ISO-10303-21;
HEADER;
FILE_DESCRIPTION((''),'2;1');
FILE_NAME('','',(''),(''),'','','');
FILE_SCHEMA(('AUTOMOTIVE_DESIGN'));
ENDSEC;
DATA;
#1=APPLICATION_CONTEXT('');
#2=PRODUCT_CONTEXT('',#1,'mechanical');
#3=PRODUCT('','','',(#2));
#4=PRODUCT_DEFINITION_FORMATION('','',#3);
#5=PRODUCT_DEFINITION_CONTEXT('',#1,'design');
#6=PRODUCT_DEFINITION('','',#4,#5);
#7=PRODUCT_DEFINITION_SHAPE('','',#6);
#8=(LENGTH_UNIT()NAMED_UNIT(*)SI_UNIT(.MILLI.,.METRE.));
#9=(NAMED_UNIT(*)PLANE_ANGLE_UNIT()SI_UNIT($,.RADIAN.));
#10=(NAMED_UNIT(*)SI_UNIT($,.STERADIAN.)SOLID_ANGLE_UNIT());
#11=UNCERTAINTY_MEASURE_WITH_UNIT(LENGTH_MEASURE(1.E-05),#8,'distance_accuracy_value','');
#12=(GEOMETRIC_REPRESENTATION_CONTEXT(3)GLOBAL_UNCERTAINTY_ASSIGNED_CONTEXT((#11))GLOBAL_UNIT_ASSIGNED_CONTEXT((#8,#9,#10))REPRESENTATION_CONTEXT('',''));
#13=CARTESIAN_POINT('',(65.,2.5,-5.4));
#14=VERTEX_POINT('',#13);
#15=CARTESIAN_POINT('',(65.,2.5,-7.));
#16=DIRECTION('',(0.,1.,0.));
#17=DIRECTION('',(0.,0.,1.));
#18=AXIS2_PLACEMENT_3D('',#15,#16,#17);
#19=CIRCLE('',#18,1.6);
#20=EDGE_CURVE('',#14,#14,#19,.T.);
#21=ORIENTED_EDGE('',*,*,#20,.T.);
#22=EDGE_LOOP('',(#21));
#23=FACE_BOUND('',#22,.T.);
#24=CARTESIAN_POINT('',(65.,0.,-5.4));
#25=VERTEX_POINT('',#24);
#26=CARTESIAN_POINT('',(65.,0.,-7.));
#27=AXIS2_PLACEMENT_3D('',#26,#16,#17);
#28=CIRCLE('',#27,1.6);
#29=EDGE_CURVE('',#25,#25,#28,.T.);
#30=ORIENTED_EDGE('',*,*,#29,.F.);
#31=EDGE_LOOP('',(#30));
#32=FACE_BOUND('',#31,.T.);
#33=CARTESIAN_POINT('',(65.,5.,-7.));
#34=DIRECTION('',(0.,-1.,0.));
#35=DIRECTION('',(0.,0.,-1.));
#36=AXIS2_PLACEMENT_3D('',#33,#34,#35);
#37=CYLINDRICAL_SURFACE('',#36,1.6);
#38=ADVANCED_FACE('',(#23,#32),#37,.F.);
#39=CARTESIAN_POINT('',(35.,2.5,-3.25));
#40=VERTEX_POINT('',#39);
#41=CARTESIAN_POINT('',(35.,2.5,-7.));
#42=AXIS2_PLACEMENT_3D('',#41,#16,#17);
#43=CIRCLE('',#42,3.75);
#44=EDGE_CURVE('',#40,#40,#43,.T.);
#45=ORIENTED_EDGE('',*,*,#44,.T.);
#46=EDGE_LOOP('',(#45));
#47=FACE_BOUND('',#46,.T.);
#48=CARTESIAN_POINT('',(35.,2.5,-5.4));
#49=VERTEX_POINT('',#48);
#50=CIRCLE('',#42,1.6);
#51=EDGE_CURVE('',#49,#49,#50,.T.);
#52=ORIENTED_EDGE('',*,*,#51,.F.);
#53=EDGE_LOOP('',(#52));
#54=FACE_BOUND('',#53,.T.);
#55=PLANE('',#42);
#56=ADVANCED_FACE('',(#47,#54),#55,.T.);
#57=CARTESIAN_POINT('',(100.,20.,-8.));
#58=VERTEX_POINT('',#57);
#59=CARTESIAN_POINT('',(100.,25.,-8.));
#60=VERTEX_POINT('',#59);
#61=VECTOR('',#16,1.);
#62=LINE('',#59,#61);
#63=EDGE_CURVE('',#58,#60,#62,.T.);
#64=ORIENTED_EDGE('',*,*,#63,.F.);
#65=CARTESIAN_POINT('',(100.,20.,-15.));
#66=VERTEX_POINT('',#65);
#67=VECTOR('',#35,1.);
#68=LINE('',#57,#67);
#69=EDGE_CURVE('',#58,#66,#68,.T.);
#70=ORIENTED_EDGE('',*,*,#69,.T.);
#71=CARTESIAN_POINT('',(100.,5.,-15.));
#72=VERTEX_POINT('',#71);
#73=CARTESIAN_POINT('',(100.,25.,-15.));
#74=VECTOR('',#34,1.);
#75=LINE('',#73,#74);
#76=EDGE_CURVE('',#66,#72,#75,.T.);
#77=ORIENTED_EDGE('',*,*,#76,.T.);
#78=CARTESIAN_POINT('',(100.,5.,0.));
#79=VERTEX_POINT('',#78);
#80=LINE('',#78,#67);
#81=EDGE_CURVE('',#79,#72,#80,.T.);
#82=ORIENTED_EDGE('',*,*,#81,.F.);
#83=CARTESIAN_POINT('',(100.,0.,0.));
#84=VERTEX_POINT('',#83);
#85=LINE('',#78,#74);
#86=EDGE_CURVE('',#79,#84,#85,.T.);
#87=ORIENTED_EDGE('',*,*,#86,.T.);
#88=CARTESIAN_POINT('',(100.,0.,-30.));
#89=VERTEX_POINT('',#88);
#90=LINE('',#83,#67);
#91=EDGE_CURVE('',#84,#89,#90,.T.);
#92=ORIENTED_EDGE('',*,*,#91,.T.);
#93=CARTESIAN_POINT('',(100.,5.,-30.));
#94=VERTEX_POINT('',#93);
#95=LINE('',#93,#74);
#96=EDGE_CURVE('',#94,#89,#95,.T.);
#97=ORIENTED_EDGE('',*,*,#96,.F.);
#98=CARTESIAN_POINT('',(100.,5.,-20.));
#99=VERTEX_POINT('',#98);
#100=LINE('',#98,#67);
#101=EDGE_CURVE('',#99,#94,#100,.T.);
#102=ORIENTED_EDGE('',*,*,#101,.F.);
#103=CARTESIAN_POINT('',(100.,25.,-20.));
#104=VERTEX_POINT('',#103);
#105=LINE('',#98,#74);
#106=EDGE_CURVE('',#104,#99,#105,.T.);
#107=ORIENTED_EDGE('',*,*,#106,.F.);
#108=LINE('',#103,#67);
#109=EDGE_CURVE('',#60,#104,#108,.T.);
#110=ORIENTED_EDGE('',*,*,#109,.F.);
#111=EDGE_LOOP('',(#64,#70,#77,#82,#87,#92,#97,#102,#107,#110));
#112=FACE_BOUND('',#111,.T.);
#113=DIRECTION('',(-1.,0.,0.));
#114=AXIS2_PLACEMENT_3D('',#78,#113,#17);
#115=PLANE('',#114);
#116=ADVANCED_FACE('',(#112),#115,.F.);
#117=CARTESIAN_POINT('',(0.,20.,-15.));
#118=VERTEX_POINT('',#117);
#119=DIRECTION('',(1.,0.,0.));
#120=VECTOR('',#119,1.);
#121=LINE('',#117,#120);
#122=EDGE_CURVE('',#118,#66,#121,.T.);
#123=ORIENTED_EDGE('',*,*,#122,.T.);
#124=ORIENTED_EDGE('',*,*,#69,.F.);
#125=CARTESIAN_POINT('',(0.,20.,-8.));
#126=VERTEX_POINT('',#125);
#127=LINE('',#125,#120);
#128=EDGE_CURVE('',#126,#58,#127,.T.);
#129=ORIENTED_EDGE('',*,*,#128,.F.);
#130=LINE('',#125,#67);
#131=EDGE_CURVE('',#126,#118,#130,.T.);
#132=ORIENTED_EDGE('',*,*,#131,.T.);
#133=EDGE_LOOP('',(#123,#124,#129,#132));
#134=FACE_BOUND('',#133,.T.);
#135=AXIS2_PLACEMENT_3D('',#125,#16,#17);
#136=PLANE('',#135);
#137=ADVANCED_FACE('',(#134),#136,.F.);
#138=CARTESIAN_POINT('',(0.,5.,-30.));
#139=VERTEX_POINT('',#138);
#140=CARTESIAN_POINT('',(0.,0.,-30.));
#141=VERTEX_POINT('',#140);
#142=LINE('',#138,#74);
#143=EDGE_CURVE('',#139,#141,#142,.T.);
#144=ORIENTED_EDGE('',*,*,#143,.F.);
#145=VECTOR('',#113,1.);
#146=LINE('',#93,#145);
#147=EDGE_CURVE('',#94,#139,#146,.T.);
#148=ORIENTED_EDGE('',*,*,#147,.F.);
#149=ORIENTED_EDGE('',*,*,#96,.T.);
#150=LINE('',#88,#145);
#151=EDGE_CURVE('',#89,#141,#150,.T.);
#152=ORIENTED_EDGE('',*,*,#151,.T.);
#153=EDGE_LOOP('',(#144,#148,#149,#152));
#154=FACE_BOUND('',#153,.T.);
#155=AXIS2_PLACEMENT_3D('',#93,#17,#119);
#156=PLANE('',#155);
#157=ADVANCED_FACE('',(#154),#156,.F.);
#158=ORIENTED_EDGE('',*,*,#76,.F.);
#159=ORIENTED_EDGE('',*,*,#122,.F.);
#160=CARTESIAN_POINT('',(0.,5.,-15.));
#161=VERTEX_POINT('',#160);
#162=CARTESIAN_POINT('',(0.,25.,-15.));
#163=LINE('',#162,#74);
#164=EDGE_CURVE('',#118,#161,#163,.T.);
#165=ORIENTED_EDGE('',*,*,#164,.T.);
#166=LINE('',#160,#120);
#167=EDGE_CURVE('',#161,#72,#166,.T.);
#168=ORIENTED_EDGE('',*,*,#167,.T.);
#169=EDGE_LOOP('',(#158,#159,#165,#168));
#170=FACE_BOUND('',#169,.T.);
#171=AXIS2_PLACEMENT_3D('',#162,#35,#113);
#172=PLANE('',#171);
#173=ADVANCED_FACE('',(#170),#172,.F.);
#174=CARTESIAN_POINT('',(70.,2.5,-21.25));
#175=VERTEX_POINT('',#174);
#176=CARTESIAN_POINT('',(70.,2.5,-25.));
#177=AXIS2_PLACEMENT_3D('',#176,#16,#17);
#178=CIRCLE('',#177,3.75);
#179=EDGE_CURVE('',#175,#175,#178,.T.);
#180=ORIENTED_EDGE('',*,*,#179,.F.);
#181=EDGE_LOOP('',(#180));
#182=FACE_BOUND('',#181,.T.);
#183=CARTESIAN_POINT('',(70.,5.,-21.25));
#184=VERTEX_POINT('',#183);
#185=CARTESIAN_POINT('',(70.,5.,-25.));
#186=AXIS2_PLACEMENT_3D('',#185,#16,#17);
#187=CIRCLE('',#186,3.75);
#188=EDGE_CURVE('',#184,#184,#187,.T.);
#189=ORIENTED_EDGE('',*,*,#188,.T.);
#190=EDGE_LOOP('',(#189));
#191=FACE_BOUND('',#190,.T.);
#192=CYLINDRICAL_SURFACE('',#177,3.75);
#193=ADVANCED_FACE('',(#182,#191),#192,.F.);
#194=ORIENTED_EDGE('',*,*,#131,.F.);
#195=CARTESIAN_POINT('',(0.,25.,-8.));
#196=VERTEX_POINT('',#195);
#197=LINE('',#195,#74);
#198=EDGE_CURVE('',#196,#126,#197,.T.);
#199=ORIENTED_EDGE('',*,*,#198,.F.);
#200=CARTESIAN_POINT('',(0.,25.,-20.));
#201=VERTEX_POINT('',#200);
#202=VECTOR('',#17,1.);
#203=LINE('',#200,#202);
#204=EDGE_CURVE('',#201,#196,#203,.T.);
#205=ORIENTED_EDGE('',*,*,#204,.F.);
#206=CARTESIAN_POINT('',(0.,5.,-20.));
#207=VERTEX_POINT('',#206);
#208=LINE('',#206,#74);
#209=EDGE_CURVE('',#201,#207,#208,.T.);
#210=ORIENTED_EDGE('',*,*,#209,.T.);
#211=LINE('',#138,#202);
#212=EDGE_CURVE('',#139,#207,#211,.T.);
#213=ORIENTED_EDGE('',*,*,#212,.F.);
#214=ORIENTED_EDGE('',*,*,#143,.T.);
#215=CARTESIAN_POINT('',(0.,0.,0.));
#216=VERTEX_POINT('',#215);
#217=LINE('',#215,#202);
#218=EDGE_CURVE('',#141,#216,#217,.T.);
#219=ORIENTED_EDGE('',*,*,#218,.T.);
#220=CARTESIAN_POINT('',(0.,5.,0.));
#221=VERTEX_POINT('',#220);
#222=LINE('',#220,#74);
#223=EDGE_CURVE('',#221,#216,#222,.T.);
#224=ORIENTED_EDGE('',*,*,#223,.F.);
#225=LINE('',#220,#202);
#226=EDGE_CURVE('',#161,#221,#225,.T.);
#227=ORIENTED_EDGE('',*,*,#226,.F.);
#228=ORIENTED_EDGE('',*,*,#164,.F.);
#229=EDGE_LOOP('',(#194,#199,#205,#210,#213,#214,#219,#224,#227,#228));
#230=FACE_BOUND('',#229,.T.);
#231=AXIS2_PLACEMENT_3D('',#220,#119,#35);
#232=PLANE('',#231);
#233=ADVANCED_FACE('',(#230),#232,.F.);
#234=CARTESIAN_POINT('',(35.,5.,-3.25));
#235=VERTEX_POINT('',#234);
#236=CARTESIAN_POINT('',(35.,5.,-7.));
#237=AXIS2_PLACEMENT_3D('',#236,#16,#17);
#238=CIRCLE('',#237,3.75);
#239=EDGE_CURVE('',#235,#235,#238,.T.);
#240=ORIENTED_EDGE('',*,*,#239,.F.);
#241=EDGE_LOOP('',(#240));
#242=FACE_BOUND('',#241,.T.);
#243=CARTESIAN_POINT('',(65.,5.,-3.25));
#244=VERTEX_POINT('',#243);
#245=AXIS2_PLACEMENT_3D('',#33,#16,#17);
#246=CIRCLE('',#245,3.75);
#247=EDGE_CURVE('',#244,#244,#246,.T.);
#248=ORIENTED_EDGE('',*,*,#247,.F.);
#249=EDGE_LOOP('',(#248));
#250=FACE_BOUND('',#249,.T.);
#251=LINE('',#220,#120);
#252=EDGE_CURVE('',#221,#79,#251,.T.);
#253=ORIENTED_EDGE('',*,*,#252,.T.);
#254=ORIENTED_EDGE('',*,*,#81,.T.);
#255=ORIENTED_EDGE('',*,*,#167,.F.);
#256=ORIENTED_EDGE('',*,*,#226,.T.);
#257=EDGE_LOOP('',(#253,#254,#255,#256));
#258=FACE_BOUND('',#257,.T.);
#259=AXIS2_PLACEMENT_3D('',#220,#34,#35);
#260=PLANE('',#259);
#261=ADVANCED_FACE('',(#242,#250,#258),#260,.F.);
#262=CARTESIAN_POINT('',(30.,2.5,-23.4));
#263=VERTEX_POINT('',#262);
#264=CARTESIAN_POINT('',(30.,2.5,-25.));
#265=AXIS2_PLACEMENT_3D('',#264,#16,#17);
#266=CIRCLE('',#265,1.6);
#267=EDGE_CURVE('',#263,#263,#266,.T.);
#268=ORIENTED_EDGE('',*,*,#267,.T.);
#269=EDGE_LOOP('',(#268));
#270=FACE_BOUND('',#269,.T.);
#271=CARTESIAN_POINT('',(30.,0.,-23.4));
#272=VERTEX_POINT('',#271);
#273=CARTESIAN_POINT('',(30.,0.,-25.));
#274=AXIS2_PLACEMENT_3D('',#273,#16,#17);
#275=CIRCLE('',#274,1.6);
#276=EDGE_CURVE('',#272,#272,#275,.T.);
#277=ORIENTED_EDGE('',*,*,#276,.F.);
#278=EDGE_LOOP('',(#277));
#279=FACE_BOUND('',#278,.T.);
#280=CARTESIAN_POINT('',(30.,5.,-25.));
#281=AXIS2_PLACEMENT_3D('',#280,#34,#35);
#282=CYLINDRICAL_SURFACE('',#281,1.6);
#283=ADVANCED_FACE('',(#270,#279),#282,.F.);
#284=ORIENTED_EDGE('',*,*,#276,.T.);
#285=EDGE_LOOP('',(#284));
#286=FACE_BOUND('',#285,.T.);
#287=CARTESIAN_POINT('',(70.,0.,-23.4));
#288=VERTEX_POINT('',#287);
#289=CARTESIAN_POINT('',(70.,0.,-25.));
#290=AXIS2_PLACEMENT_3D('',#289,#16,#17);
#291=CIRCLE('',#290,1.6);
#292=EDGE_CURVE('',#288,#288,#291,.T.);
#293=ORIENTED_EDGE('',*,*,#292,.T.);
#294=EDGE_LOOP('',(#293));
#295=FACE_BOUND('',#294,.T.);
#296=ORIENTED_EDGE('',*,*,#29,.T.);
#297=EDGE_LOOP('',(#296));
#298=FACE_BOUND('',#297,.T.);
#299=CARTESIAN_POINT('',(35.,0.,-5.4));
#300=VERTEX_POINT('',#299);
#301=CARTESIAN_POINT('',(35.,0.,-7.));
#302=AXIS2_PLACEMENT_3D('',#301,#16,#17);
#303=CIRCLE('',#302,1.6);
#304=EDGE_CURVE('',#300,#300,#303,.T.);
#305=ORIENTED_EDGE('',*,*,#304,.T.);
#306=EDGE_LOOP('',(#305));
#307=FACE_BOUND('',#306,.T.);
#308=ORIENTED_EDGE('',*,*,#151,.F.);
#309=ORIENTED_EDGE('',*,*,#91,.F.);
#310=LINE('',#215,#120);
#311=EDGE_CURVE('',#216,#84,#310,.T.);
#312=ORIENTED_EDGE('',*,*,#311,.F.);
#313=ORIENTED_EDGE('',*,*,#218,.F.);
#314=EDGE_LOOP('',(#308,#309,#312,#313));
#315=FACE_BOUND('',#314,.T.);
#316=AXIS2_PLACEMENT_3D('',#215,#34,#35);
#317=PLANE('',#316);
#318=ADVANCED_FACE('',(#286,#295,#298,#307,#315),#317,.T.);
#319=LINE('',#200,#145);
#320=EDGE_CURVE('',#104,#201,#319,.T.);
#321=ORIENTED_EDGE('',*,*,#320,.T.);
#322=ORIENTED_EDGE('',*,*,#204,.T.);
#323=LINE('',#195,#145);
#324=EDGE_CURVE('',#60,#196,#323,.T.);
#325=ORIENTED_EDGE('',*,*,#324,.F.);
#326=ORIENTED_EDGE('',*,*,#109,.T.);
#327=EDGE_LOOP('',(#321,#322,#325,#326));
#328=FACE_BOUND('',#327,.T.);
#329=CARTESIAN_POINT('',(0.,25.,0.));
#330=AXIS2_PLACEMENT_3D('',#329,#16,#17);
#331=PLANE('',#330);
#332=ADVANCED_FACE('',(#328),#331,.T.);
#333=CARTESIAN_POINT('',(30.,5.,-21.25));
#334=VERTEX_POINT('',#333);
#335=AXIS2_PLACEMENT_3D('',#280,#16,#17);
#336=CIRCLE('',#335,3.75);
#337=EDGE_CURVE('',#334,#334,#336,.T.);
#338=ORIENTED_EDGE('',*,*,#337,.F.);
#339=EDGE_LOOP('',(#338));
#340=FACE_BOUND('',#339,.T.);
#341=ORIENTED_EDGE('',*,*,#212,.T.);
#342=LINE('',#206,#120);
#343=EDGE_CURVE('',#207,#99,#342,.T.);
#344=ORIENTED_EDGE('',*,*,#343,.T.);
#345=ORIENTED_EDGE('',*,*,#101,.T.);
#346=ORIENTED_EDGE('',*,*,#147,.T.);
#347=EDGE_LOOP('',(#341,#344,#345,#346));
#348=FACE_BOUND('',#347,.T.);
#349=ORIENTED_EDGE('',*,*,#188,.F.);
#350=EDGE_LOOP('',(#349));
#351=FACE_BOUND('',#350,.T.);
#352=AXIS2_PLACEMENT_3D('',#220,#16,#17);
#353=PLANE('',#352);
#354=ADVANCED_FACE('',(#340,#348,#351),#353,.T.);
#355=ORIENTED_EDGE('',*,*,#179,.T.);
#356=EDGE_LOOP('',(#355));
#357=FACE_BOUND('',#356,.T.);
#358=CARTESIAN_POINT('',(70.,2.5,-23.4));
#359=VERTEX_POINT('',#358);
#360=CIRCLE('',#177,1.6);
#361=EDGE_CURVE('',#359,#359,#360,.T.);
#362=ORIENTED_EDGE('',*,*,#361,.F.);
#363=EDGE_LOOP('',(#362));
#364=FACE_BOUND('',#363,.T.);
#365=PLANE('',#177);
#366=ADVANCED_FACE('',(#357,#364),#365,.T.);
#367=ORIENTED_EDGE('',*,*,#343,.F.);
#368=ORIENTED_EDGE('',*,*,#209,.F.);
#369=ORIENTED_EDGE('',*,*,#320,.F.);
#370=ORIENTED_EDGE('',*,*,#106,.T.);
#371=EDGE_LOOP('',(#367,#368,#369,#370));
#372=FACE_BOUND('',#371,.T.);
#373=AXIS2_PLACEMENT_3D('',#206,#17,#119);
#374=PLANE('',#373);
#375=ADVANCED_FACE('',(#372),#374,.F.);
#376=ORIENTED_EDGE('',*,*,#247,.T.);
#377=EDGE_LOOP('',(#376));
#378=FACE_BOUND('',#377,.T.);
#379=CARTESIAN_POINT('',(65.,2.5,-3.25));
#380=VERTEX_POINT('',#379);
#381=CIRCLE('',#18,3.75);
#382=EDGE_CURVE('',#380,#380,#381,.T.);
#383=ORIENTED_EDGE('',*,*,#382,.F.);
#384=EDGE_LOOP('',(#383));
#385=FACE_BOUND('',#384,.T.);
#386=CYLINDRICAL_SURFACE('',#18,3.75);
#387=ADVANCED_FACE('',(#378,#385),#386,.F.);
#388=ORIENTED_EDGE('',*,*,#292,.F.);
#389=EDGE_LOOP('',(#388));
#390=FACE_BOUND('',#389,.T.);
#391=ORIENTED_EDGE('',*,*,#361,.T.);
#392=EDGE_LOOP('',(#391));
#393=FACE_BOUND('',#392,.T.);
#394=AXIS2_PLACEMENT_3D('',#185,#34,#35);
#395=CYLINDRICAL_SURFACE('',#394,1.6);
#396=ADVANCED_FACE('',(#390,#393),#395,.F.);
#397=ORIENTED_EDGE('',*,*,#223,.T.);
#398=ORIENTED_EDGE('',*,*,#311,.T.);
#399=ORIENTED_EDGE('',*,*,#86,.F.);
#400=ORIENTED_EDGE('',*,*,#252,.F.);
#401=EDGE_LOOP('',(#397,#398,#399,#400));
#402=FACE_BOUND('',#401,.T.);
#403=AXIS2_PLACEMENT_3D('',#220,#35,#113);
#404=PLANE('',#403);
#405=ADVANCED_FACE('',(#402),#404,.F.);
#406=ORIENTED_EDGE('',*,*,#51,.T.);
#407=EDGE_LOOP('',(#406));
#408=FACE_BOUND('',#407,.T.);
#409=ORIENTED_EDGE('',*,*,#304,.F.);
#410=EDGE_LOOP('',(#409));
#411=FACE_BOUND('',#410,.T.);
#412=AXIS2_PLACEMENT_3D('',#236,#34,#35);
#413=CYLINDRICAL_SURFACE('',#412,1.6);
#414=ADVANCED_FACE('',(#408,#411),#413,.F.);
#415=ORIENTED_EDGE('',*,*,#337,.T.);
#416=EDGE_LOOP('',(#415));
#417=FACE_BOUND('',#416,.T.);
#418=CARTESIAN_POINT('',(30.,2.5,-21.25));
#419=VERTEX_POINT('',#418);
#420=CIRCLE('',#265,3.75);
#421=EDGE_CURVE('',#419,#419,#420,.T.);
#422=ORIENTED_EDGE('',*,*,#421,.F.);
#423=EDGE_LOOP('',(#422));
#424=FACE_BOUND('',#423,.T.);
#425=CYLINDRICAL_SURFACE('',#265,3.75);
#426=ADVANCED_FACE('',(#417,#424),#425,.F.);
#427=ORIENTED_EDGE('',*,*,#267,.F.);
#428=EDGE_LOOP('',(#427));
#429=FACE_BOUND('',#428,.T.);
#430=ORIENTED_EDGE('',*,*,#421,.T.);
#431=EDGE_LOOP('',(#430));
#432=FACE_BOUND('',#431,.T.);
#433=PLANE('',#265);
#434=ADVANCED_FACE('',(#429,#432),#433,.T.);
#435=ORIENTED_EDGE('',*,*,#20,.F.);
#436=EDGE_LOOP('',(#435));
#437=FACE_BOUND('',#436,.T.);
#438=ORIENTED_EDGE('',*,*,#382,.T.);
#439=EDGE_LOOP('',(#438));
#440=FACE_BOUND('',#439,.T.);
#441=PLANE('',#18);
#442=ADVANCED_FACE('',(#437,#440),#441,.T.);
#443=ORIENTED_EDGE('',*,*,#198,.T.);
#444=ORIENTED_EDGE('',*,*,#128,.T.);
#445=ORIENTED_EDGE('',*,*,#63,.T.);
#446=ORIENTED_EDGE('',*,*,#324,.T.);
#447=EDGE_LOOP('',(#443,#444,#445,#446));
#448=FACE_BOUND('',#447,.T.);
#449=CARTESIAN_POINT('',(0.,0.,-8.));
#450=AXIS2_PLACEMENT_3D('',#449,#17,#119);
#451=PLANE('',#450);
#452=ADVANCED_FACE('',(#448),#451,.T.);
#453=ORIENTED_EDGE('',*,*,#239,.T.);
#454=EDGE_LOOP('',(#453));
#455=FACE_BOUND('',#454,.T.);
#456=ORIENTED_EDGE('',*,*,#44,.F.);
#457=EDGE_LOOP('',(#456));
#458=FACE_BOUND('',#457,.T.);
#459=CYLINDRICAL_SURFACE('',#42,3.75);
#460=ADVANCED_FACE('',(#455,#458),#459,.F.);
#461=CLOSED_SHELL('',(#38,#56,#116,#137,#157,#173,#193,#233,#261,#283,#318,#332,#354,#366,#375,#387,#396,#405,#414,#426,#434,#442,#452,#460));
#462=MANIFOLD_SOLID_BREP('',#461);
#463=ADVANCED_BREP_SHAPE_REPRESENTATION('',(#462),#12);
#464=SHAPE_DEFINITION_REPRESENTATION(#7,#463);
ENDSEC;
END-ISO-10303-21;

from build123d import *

# Parameters (mm, degrees)
SKETCH1_W                    = 100
SKETCH1_H                    = 20
SKETCH1_R                    = 1.6
EXTRUDE_BASE_DEPTH           = 5
SKETCH2_W                    = 100
SKETCH2_H                    = 5
EXTRUDE_VERTICAL_CLAMP_DEPTH = 20
SKETCH3_W                    = 100
SKETCH3_H                    = 5
EXTRUDE_CLAMP_ROOF_DEPTH     = 7
SKETCH5_W                    = 100
SKETCH5_H                    = 10
SKETCH5_R                    = 1.6
BOSS_EXTRUDE4_DEPTH          = 5
SKETCH4_R                    = 3.75
CUT_EXTRUDE1_DEPTH           = 2.5


with BuildPart() as part:
    # Sketch1 → Extrude-Base (new body)
    with BuildSketch(Plane(origin=(0, 0, 0), x_dir=(1, 0, 0), z_dir=(0, 1, 0))):
        with Locations((50, 10)):
            Rectangle(SKETCH1_W, SKETCH1_H)
        with Locations(Location((35, 7, 0), (0, 0, 270))):
            Circle(SKETCH1_R, mode=Mode.SUBTRACT)
        with Locations(Location((65, 7, 0), (0, 0, 270))):
            Circle(SKETCH1_R, mode=Mode.SUBTRACT)
    extrude(amount=EXTRUDE_BASE_DEPTH)

    # Sketch2 → Extrude-Vertical clamp (add)
    with BuildSketch(Plane(origin=(0, 5, 0), x_dir=(1, 0, 0), z_dir=(0, 1, 0))):
        with Locations((50, 17.5)):
            Rectangle(SKETCH2_W, SKETCH2_H)
    extrude(amount=EXTRUDE_VERTICAL_CLAMP_DEPTH)

    # Sketch3 → Extrude-Clamp Roof (add)
    with BuildSketch(Plane.XY.offset(-15)):
        with Locations((50, 22.5)):
            Rectangle(SKETCH3_W, SKETCH3_H)
    extrude(amount=EXTRUDE_CLAMP_ROOF_DEPTH)

    # Sketch5 → Boss-Extrude4 (add)
    with BuildSketch(Plane(origin=(0, 0, 0), x_dir=(1, 0, 0), z_dir=(0, 1, 0))):
        with Locations((50, 25)):
            Rectangle(SKETCH5_W, SKETCH5_H)
        with Locations(Location((70, 25, 0), (0, 0, 270))):
            Circle(SKETCH5_R, mode=Mode.SUBTRACT)
        with Locations(Location((30, 25, 0), (0, 0, 270))):
            Circle(SKETCH5_R, mode=Mode.SUBTRACT)
    extrude(amount=BOSS_EXTRUDE4_DEPTH)

    # Sketch4 → Cut-Extrude1 (cut)
    with BuildSketch(Plane(origin=(0, 5, 0), x_dir=(1, 0, 0), z_dir=(0, 1, 0))):
        with Locations(Location((35, 7, 0), (0, 0, 270))):
            Circle(SKETCH4_R)
        with Locations(Location((65, 7, 0), (0, 0, 270))):
            Circle(SKETCH4_R)
        with Locations(Location((30, 25, 0), (0, 0, 270))):
            Circle(SKETCH4_R)
        with Locations(Location((70, 25, 0), (0, 0, 270))):
            Circle(SKETCH4_R)
    extrude(amount=-CUT_EXTRUDE1_DEPTH, mode=Mode.SUBTRACT)


solid = part.part
